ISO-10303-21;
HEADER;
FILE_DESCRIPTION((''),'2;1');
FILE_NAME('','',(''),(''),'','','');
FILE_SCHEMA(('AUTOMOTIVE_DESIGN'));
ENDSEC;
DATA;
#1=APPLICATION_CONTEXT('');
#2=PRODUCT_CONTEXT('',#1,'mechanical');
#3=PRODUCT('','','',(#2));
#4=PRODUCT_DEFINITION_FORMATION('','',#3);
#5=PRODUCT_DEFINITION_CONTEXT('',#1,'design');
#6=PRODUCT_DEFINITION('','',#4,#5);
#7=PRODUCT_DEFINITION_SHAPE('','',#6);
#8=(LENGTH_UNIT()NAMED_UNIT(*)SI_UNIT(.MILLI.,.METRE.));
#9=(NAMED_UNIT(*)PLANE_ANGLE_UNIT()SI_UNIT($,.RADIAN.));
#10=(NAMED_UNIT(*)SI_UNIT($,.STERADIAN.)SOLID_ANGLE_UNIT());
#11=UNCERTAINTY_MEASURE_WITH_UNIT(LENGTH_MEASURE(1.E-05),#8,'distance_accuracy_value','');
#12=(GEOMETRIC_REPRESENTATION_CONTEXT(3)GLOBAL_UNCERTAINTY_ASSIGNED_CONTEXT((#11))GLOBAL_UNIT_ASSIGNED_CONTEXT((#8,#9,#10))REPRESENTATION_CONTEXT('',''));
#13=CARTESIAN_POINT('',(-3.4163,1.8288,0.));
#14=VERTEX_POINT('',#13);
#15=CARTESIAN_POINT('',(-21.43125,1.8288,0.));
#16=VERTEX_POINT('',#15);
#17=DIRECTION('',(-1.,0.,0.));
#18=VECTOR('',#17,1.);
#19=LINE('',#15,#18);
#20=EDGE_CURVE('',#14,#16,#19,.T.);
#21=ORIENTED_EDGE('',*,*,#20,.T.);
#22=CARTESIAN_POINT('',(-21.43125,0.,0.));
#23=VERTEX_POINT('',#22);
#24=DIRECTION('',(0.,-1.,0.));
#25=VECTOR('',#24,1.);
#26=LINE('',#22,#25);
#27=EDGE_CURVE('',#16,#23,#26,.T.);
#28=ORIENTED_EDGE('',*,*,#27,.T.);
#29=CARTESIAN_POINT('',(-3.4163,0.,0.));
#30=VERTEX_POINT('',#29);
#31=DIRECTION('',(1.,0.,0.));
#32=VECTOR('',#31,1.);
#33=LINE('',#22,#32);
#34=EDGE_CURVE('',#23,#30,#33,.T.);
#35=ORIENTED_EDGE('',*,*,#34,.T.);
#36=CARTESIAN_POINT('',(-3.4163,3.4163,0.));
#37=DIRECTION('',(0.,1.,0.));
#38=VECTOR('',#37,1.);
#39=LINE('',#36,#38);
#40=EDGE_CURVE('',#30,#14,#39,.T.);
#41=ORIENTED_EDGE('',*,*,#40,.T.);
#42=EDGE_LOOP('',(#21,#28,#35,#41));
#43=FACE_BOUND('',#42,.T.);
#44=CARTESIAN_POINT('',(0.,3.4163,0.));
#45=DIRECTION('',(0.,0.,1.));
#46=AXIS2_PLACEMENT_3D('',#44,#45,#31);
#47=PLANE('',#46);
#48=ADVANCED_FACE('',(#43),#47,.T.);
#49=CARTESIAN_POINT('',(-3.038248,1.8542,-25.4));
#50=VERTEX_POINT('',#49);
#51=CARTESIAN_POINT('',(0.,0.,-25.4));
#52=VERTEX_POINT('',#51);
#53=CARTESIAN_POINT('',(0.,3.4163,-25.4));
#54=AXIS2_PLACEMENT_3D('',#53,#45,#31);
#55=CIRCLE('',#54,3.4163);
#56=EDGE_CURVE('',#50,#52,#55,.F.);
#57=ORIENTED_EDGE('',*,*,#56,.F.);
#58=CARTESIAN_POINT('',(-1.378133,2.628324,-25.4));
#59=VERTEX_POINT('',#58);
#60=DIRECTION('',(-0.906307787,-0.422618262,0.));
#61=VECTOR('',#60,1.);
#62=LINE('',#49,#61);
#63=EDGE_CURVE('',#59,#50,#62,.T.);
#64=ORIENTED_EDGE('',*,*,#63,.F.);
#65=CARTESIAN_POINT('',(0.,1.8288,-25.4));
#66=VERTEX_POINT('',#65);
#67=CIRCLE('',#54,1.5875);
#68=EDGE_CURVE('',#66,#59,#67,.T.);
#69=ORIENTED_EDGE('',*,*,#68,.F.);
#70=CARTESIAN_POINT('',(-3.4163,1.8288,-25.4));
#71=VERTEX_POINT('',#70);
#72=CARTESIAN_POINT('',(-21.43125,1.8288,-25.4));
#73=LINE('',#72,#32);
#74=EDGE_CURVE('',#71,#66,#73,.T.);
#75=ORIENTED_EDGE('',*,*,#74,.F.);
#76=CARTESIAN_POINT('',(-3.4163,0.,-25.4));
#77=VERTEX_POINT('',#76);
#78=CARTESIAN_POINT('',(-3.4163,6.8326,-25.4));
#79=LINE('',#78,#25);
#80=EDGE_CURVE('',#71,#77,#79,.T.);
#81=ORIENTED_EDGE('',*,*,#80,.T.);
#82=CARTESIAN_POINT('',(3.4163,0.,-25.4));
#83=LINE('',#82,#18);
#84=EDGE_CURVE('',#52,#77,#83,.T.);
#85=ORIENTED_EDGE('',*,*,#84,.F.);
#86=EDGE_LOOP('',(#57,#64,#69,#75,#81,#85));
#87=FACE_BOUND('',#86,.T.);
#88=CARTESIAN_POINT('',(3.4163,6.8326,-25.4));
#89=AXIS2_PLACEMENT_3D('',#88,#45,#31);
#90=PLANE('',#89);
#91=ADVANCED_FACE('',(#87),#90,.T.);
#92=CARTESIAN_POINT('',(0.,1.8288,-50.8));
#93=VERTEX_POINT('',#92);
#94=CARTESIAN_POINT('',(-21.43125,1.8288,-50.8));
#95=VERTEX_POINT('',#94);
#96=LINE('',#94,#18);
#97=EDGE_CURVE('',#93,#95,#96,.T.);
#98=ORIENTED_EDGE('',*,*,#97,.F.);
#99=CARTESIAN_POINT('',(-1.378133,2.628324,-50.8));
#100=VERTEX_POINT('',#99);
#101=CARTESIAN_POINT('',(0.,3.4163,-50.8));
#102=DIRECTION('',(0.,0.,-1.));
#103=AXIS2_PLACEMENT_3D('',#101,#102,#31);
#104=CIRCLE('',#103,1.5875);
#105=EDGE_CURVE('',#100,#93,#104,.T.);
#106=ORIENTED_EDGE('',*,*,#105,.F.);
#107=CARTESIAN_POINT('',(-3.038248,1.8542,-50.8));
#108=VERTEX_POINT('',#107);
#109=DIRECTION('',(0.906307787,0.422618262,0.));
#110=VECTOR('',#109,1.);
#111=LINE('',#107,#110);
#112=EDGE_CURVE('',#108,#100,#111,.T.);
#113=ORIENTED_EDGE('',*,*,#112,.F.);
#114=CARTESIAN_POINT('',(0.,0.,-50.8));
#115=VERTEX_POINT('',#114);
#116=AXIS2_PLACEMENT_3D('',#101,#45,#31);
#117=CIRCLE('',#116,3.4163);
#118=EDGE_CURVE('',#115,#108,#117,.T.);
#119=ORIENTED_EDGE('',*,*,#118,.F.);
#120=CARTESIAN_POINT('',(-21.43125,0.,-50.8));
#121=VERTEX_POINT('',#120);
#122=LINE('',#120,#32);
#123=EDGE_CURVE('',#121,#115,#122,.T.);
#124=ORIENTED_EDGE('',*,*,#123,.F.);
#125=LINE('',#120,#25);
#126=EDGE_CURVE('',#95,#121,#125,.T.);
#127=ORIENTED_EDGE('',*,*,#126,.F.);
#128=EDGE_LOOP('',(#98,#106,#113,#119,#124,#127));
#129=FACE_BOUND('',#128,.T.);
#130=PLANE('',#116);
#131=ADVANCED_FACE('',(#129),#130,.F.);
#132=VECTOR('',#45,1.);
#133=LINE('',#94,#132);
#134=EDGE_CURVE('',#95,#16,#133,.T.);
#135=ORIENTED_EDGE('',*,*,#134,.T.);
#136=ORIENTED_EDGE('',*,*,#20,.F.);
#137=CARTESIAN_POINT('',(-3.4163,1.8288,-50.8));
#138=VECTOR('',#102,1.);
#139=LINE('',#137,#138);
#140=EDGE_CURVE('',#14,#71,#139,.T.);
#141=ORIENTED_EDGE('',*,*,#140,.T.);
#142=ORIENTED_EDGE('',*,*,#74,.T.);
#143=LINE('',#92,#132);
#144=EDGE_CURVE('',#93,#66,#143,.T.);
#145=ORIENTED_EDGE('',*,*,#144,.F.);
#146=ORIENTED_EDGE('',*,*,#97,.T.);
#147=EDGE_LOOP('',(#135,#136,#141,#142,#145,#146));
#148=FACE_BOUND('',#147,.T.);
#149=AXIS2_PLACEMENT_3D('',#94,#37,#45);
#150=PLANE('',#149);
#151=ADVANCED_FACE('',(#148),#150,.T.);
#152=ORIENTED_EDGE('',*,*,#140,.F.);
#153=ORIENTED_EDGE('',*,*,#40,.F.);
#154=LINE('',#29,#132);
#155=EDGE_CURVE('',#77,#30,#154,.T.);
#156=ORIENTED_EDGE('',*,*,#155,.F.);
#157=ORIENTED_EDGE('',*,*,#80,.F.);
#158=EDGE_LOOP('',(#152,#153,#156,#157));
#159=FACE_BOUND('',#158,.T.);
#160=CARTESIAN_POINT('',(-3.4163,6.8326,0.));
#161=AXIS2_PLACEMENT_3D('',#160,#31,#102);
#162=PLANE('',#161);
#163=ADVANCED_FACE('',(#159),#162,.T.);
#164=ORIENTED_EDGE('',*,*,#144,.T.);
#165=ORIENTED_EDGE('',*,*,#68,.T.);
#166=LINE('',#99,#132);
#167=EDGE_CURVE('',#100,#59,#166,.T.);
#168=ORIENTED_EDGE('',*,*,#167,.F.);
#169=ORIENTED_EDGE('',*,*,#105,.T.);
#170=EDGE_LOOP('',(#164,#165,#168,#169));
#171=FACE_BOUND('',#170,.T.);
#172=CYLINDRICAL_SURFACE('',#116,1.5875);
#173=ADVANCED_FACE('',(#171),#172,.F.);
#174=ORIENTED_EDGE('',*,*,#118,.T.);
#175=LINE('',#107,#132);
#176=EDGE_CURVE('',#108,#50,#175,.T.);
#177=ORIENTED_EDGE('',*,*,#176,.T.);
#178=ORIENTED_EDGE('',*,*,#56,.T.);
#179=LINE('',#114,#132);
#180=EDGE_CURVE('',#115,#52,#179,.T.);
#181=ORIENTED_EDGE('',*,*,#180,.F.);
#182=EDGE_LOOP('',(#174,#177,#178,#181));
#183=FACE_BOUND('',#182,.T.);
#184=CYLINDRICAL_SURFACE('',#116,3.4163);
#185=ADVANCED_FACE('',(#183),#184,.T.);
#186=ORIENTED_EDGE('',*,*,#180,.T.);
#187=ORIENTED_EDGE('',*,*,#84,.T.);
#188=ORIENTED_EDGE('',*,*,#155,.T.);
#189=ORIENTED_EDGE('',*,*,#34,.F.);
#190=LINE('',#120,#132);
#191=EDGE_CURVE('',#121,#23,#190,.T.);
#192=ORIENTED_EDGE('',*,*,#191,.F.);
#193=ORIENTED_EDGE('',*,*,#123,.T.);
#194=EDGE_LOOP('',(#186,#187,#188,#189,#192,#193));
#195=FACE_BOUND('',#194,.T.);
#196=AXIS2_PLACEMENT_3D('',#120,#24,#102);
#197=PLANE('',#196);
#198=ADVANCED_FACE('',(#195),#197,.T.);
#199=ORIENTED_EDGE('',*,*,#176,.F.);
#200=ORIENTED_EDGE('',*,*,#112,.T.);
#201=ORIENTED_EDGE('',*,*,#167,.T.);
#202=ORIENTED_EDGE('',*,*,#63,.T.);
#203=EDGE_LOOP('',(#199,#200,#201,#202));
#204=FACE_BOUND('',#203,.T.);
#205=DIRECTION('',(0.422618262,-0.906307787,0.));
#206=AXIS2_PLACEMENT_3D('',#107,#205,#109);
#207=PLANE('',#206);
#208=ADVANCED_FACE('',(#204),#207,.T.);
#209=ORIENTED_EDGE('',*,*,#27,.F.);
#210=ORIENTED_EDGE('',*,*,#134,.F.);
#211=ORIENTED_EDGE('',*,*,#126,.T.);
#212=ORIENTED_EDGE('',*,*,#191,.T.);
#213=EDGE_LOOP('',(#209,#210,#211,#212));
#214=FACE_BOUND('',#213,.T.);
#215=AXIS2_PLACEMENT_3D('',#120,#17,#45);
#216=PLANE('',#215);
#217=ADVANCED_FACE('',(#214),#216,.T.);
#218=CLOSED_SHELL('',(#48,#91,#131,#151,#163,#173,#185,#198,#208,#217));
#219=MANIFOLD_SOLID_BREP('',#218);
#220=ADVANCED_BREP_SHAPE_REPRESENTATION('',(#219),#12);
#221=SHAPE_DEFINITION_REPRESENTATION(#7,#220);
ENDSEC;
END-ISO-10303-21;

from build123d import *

# Parameters (mm, degrees)
EXTRUDE1_DEPTH     = 50.8
SKETCH2_W          = 6.8326
SKETCH2_H          = 25.4
CUT_EXTRUDE4_DEPTH = 56.557383842


with BuildPart() as part:
    # Sketch1 → Extrude1 (new body)
    with BuildSketch(Plane.XY):
        with BuildLine():
            Line((-21.43125, 0), (0, 0))
            ThreePointArc((0, 0), (1.779677423, 6.332436821), (-3.038247732, 1.8542))
            Line((-3.038247732, 1.8542), (-1.378132955, 2.628324234))
            ThreePointArc((-1.378132955, 2.628324234), (0.796631885, 4.789447439), (0, 1.8288))
            Line((0, 1.8288), (-21.43125, 1.8288))
            Line((-21.43125, 1.8288), (-21.43125, 0))
        make_face()
    extrude(amount=-EXTRUDE1_DEPTH)

    # Sketch2 → Cut-Extrude4 (cut, through all)
    with BuildSketch(Plane(origin=(0, 0, 0), x_dir=(1, 0, 0), z_dir=(0, 1, 0))):
        with Locations((0, 12.7)):
            Rectangle(SKETCH2_W, SKETCH2_H)
    extrude(amount=CUT_EXTRUDE4_DEPTH, mode=Mode.SUBTRACT)


solid = part.part
